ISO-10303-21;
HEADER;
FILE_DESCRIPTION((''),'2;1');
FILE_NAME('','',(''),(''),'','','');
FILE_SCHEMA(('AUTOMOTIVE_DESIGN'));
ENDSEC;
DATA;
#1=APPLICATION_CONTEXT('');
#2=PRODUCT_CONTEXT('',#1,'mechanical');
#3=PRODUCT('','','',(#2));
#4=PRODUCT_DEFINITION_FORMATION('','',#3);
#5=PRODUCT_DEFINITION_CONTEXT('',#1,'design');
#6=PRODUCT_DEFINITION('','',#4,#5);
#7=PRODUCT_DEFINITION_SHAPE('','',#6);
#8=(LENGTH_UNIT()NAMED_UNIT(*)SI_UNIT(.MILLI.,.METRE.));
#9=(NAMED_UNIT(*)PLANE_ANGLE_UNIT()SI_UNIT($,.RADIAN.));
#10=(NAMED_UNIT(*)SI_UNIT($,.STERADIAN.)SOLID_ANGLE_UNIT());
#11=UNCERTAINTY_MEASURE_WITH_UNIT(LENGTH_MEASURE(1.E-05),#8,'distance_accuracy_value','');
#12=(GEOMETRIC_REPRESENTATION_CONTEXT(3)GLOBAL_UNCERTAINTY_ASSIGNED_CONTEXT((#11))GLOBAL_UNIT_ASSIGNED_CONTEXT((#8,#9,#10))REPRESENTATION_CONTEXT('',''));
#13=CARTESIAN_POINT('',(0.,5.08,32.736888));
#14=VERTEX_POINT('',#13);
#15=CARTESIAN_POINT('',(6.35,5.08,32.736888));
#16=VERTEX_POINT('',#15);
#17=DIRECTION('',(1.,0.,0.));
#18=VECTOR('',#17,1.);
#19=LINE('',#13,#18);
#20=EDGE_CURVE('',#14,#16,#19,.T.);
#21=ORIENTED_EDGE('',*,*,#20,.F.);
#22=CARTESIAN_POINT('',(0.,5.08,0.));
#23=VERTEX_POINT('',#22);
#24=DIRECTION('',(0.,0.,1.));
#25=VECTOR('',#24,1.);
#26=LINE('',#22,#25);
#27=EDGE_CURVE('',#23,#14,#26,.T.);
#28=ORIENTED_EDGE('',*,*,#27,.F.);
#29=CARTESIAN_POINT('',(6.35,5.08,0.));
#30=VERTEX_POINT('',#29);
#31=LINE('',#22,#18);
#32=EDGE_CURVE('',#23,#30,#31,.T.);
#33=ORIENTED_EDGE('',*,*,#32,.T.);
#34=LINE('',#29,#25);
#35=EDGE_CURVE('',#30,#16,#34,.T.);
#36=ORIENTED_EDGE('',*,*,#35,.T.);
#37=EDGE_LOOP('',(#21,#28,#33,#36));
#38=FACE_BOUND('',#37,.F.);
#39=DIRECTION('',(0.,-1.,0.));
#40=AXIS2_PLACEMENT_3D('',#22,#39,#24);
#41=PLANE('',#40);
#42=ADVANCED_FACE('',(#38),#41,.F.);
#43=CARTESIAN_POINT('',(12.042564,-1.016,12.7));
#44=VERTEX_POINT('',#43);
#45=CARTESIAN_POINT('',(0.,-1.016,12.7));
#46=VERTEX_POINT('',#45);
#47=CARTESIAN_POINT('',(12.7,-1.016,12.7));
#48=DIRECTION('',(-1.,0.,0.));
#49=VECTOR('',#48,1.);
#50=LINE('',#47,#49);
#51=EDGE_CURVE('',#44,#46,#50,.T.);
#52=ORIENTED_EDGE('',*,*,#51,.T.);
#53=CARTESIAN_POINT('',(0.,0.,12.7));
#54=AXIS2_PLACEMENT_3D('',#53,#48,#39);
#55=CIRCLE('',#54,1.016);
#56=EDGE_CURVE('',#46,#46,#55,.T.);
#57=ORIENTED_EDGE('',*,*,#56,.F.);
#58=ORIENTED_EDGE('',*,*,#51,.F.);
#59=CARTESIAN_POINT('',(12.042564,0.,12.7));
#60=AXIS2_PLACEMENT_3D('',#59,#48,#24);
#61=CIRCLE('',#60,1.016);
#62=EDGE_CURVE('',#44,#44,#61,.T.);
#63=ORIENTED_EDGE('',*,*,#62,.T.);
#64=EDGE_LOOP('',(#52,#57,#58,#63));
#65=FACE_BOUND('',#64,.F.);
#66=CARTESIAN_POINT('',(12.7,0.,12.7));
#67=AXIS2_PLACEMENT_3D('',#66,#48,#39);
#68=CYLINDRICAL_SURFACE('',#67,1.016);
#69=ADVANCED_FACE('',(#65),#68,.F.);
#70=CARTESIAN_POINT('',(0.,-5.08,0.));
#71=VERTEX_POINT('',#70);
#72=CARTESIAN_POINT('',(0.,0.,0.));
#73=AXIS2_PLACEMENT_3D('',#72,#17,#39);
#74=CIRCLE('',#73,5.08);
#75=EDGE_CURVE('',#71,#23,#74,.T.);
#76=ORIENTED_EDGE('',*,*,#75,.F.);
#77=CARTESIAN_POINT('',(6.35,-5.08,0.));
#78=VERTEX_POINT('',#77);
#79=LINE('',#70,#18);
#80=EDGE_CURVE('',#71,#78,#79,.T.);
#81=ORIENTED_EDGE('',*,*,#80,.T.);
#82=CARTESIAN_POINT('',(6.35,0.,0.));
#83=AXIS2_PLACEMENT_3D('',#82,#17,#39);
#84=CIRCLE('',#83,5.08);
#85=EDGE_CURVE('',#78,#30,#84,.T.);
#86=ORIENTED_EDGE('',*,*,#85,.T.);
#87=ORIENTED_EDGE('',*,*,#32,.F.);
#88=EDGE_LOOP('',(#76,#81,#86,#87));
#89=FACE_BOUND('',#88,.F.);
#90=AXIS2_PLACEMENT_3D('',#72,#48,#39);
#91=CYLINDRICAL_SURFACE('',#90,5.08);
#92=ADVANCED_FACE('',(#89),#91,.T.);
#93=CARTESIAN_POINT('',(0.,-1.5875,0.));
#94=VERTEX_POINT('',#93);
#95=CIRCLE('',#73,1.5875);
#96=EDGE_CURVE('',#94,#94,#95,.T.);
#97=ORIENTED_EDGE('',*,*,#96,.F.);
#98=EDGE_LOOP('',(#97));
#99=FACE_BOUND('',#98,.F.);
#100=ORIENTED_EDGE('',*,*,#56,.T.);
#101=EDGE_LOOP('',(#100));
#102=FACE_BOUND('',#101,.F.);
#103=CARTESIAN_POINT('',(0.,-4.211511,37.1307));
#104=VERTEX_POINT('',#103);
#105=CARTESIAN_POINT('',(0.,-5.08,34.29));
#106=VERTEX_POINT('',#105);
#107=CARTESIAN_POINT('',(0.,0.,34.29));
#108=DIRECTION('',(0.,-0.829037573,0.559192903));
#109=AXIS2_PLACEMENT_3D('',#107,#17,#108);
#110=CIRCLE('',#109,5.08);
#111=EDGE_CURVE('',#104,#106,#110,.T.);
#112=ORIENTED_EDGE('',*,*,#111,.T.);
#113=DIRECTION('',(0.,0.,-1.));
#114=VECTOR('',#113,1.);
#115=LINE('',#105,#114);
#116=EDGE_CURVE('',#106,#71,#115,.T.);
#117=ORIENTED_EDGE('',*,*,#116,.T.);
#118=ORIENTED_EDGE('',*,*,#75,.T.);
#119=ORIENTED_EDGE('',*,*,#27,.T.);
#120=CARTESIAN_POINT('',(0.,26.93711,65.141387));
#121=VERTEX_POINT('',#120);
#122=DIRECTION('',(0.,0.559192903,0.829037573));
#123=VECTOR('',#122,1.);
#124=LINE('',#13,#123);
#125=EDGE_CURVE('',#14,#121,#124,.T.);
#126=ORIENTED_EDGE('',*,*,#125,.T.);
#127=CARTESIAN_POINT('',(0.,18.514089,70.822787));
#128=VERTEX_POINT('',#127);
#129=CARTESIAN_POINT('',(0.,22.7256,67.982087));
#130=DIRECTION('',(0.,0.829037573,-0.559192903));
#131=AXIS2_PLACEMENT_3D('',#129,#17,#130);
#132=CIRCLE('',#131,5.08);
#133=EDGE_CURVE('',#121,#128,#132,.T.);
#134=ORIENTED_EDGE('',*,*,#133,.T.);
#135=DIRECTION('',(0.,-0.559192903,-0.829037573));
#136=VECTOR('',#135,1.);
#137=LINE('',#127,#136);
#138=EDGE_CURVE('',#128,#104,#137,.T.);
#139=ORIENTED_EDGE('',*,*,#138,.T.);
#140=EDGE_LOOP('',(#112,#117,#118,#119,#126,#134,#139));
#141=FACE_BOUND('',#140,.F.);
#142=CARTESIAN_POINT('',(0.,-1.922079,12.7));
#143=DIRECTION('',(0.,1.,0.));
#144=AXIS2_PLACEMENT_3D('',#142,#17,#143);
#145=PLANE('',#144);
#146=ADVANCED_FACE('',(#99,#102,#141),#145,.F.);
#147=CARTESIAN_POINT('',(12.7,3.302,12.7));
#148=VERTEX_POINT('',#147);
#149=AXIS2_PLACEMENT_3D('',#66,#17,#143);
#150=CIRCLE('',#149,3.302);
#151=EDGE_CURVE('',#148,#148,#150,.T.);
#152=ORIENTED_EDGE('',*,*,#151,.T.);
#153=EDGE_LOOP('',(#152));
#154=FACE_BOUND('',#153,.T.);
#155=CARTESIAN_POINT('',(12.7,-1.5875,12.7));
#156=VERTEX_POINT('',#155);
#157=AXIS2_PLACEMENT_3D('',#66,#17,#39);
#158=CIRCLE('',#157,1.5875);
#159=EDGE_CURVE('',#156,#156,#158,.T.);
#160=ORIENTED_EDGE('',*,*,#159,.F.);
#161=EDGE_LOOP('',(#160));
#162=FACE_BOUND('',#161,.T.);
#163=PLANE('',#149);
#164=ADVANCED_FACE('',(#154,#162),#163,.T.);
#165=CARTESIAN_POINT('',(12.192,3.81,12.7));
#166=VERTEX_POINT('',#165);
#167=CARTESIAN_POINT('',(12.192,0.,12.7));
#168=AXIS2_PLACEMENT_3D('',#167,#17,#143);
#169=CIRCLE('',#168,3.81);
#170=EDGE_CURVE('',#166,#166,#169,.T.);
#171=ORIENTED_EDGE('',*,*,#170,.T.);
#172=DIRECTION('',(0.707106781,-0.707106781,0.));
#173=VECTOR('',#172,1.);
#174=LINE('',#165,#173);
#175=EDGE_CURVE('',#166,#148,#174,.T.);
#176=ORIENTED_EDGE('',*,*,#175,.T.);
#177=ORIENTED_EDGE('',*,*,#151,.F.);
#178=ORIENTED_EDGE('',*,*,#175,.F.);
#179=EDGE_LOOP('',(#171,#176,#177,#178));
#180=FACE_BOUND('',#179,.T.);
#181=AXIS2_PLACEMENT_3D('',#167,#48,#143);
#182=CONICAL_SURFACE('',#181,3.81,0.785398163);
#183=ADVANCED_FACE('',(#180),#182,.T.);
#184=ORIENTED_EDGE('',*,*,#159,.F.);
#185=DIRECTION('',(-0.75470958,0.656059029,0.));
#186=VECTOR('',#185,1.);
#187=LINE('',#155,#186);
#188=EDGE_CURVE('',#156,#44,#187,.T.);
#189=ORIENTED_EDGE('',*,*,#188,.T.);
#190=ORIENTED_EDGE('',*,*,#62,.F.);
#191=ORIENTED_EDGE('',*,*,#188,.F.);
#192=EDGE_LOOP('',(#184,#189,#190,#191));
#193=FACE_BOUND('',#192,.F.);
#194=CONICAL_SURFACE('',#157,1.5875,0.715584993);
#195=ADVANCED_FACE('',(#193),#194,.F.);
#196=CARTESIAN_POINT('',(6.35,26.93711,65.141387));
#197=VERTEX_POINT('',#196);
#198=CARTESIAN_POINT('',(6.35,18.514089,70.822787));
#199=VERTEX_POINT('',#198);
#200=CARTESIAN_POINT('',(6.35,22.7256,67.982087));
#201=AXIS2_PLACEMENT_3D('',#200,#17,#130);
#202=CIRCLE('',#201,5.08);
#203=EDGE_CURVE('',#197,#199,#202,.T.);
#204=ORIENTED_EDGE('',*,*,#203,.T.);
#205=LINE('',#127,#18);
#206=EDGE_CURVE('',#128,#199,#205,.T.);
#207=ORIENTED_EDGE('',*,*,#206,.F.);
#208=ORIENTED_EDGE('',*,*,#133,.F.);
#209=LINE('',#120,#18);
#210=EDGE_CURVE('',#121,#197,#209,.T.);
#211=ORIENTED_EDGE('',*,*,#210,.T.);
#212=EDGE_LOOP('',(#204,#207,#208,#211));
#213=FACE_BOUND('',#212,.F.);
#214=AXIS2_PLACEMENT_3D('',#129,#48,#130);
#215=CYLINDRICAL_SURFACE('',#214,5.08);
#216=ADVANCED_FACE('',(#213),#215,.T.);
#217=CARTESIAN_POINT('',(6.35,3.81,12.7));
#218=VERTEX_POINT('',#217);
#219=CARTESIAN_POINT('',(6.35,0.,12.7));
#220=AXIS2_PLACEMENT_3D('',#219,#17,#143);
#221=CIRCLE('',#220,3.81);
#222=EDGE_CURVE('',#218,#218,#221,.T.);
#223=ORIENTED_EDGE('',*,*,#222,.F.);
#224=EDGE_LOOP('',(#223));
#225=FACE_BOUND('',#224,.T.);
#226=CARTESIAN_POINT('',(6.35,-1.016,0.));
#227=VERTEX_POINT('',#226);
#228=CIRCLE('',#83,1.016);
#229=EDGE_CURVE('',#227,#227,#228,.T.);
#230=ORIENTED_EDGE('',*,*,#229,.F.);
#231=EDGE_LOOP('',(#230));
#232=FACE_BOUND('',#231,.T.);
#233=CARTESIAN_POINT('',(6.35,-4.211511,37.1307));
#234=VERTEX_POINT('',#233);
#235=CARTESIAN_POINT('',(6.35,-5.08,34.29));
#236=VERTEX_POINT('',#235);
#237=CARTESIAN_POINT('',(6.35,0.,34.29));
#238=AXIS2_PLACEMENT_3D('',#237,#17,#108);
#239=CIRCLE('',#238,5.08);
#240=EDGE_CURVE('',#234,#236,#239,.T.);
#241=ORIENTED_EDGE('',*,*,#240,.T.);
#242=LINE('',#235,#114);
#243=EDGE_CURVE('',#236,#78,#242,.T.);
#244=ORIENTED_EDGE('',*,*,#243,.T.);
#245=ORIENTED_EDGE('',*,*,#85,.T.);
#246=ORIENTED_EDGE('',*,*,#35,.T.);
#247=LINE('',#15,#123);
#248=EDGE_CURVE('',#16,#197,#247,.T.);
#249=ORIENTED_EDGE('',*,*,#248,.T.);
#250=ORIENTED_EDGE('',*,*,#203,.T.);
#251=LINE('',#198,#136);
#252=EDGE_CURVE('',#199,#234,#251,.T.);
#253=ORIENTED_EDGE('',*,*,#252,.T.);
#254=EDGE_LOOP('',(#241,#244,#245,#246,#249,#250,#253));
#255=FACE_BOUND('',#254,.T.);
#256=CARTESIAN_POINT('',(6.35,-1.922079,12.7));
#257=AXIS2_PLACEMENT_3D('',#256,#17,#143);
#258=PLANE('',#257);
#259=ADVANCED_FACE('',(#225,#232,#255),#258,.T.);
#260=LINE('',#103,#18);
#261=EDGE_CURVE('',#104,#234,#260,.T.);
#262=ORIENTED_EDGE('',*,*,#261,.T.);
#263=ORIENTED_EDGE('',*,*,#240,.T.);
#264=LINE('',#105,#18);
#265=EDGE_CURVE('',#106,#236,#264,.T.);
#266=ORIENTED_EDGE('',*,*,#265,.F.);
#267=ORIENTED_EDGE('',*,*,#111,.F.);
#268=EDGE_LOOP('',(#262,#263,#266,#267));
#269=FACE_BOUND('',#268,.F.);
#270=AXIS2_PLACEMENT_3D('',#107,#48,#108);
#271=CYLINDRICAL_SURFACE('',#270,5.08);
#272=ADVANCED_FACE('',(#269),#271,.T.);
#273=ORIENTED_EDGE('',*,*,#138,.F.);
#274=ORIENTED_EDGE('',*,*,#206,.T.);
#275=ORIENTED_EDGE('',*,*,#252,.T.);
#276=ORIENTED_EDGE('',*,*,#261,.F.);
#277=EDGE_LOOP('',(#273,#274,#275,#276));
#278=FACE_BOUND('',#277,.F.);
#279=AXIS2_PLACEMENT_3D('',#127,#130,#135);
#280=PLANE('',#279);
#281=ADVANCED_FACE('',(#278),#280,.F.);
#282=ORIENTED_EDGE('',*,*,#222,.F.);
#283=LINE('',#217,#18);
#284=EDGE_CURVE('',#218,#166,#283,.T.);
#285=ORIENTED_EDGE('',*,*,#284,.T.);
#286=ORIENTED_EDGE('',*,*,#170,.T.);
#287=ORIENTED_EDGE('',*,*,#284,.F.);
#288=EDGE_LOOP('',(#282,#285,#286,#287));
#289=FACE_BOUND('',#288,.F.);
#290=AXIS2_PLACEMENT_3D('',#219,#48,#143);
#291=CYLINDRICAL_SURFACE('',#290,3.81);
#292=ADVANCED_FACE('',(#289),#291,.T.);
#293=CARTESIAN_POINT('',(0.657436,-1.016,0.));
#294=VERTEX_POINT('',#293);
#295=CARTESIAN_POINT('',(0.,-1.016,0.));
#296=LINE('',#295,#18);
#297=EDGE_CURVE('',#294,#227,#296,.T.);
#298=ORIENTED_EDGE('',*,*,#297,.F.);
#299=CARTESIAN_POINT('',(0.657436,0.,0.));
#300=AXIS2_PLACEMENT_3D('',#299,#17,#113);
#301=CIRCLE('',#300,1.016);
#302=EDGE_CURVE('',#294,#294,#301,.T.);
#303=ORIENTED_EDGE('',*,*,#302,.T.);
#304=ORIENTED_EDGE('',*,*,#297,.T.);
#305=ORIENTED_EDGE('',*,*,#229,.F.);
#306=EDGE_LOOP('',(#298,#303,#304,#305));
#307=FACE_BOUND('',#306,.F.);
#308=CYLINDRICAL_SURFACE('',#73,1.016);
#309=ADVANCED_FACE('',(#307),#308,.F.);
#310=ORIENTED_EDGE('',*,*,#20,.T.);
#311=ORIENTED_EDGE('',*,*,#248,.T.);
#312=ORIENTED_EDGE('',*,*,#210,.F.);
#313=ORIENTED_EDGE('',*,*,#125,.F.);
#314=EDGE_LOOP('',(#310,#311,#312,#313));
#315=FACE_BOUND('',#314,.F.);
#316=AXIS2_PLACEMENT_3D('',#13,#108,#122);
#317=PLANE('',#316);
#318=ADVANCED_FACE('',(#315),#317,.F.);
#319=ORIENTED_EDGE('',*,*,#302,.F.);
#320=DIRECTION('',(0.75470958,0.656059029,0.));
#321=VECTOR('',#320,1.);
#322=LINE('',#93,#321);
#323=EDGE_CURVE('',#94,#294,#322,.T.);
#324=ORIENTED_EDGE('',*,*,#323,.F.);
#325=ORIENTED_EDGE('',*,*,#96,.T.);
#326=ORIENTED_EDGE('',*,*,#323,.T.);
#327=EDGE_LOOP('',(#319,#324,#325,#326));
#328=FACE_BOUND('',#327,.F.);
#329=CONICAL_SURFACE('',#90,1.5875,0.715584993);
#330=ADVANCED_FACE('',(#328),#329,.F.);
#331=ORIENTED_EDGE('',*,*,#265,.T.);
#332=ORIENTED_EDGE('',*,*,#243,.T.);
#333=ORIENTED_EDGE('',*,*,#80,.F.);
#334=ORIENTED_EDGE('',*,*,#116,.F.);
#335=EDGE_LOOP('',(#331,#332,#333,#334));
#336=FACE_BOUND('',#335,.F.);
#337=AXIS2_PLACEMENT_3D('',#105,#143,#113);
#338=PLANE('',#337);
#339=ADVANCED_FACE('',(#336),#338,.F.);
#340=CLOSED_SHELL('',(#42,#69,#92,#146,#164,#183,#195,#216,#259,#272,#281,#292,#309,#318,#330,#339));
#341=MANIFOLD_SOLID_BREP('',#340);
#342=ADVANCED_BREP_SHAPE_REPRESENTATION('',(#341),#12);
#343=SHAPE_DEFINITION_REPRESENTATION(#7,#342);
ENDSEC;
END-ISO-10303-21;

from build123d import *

# Parameters (mm, degrees)
F1_DEPTH       = 6.35
F2_R           = 3.81
F3_DEPTH       = 6.35
F5_D           = 2.032
F5_CSINK_D     = 3.175
F5_CSINK_ANGLE = 82
F6_D           = 2.032
F6_CSINK_D     = 3.175
F6_CSINK_ANGLE = 82
F7_SIZE        = 0.508


with BuildPart() as f1:
    # F0 (on Right) → F1 (new body)
    with BuildSketch(Plane.YZ):
        with BuildLine():
            ThreePointArc((-5.08, 12.7), (-3.5921024484, 9.1078975516), (0, 7.62))
            Line((0, 7.62), (0, 12.7))
            Line((0, 12.7), (0, 17.78))
            ThreePointArc((0, 17.78), (-3.5921024484, 16.2921024484), (-5.08, 12.7))
        make_face()
        with BuildLine():
            Line((0, 12.7), (0, 7.62))
            ThreePointArc((0, 7.62), (3.5921024484, 9.1078975516), (5.08, 12.7))
            ThreePointArc((5.08, 12.7), (3.5921024484, 16.2921024484), (0, 17.78))
            Line((0, 17.78), (0, 12.7))
        make_face()
        with BuildLine():
            ThreePointArc((5.08, 12.7), (3.5921024484, 9.1078975516), (0, 7.62))
            ThreePointArc((0, 7.62), (-3.5921024484, 9.1078975516), (-5.08, 12.7))
            Line((-5.08, 12.7), (-5.08, 0))
            ThreePointArc((-5.08, 0), (0, -5.08), (5.08, 0))
            Line((5.08, 0), (5.08, 12.7))
        make_face()
        with BuildLine():
            ThreePointArc((0, 17.78), (3.5921024484, 16.2921024484), (5.08, 12.7))
            Line((5.08, 12.7), (5.08, 32.7368881382))
            Line((5.08, 32.7368881382), (4.2115108686, 31.4493000504))
            ThreePointArc((4.2115108686, 31.4493000504), (2.384915539, 29.8046262283), (0, 29.21))
            Line((0, 29.21), (0, 17.78))
        make_face()
        with BuildLine():
            Line((-5.08, 34.29), (-5.08, 12.7))
            ThreePointArc((-5.08, 12.7), (-3.5921024484, 16.2921024484), (0, 17.78))
            Line((0, 17.78), (0, 29.21))
            ThreePointArc((0, 29.21), (-3.5921024484, 30.6978975516), (-5.08, 34.29))
        make_face()
        with BuildLine():
            Line((4.2115108686, 31.4493000504), (5.08, 32.7368881382))
            Line((5.08, 32.7368881382), (5.08, 34.29))
            ThreePointArc((5.08, 34.29), (4.4853737717, 36.674915539), (2.8406999496, 38.5015108686))
            Line((2.8406999496, 38.5015108686), (0, 34.29))
            Line((0, 34.29), (0, 29.21))
            ThreePointArc((0, 29.21), (2.384915539, 29.8046262283), (4.2115108686, 31.4493000504))
        make_face()
        with BuildLine():
            Line((5.08, 34.29), (5.08, 32.7368881382))
            Line((5.08, 32.7368881382), (26.9371104656, 65.141386999))
            ThreePointArc((26.9371104656, 65.141386999), (25.5662995467, 72.1935978172), (18.5140887285, 70.8227868983))
            Line((18.5140887285, 70.8227868983), (-4.2115108686, 37.1306999496))
            ThreePointArc((-4.2115108686, 37.1306999496), (-0.9693096965, 39.2766660919), (2.8406999496, 38.5015108686))
            ThreePointArc((2.8406999496, 38.5015108686), (4.4853737717, 36.674915539), (5.08, 34.29))
        make_face()
        with BuildLine():
            ThreePointArc((-4.2115108686, 37.1306999496), (-4.8580281603, 35.77524826), (-5.08, 34.29))
            ThreePointArc((-5.08, 34.29), (-3.5921024484, 30.6978975516), (0, 29.21))
            Line((0, 29.21), (0, 34.29))
            Line((0, 34.29), (2.8406999496, 38.5015108686))
            ThreePointArc((2.8406999496, 38.5015108686), (-0.9693096965, 39.2766660919), (-4.2115108686, 37.1306999496))
        make_face()
    extrude(amount=F1_DEPTH)

    # F2 (on face) → F3 (join)
    with BuildSketch(Plane.YZ.offset(6.35)):
        with Locations((0, 12.7)):
            Circle(F2_R)
    extrude(amount=F3_DEPTH)

    # F5 (through all)
    with Locations(Plane.YZ.offset(12.7)):
        with Locations((0, 12.7)):
            CounterSinkHole(F5_D / 2, F5_CSINK_D / 2, counter_sink_angle=F5_CSINK_ANGLE)

    # F6 (through all)
    with Locations(Plane(origin=(0, 0, 0), x_dir=(0, 1, 0), z_dir=(-1, 0, 0))):
        with Locations((0, 0)):
            CounterSinkHole(F6_D / 2, F6_CSINK_D / 2, counter_sink_angle=F6_CSINK_ANGLE)

    # F7
    f7_edges = [f1.edges().sort_by_distance(p)[0] for p in [
        (12.7, -3.81, 12.7),
    ]]
    chamfer(f7_edges, length=F7_SIZE)


solid = f1.part
